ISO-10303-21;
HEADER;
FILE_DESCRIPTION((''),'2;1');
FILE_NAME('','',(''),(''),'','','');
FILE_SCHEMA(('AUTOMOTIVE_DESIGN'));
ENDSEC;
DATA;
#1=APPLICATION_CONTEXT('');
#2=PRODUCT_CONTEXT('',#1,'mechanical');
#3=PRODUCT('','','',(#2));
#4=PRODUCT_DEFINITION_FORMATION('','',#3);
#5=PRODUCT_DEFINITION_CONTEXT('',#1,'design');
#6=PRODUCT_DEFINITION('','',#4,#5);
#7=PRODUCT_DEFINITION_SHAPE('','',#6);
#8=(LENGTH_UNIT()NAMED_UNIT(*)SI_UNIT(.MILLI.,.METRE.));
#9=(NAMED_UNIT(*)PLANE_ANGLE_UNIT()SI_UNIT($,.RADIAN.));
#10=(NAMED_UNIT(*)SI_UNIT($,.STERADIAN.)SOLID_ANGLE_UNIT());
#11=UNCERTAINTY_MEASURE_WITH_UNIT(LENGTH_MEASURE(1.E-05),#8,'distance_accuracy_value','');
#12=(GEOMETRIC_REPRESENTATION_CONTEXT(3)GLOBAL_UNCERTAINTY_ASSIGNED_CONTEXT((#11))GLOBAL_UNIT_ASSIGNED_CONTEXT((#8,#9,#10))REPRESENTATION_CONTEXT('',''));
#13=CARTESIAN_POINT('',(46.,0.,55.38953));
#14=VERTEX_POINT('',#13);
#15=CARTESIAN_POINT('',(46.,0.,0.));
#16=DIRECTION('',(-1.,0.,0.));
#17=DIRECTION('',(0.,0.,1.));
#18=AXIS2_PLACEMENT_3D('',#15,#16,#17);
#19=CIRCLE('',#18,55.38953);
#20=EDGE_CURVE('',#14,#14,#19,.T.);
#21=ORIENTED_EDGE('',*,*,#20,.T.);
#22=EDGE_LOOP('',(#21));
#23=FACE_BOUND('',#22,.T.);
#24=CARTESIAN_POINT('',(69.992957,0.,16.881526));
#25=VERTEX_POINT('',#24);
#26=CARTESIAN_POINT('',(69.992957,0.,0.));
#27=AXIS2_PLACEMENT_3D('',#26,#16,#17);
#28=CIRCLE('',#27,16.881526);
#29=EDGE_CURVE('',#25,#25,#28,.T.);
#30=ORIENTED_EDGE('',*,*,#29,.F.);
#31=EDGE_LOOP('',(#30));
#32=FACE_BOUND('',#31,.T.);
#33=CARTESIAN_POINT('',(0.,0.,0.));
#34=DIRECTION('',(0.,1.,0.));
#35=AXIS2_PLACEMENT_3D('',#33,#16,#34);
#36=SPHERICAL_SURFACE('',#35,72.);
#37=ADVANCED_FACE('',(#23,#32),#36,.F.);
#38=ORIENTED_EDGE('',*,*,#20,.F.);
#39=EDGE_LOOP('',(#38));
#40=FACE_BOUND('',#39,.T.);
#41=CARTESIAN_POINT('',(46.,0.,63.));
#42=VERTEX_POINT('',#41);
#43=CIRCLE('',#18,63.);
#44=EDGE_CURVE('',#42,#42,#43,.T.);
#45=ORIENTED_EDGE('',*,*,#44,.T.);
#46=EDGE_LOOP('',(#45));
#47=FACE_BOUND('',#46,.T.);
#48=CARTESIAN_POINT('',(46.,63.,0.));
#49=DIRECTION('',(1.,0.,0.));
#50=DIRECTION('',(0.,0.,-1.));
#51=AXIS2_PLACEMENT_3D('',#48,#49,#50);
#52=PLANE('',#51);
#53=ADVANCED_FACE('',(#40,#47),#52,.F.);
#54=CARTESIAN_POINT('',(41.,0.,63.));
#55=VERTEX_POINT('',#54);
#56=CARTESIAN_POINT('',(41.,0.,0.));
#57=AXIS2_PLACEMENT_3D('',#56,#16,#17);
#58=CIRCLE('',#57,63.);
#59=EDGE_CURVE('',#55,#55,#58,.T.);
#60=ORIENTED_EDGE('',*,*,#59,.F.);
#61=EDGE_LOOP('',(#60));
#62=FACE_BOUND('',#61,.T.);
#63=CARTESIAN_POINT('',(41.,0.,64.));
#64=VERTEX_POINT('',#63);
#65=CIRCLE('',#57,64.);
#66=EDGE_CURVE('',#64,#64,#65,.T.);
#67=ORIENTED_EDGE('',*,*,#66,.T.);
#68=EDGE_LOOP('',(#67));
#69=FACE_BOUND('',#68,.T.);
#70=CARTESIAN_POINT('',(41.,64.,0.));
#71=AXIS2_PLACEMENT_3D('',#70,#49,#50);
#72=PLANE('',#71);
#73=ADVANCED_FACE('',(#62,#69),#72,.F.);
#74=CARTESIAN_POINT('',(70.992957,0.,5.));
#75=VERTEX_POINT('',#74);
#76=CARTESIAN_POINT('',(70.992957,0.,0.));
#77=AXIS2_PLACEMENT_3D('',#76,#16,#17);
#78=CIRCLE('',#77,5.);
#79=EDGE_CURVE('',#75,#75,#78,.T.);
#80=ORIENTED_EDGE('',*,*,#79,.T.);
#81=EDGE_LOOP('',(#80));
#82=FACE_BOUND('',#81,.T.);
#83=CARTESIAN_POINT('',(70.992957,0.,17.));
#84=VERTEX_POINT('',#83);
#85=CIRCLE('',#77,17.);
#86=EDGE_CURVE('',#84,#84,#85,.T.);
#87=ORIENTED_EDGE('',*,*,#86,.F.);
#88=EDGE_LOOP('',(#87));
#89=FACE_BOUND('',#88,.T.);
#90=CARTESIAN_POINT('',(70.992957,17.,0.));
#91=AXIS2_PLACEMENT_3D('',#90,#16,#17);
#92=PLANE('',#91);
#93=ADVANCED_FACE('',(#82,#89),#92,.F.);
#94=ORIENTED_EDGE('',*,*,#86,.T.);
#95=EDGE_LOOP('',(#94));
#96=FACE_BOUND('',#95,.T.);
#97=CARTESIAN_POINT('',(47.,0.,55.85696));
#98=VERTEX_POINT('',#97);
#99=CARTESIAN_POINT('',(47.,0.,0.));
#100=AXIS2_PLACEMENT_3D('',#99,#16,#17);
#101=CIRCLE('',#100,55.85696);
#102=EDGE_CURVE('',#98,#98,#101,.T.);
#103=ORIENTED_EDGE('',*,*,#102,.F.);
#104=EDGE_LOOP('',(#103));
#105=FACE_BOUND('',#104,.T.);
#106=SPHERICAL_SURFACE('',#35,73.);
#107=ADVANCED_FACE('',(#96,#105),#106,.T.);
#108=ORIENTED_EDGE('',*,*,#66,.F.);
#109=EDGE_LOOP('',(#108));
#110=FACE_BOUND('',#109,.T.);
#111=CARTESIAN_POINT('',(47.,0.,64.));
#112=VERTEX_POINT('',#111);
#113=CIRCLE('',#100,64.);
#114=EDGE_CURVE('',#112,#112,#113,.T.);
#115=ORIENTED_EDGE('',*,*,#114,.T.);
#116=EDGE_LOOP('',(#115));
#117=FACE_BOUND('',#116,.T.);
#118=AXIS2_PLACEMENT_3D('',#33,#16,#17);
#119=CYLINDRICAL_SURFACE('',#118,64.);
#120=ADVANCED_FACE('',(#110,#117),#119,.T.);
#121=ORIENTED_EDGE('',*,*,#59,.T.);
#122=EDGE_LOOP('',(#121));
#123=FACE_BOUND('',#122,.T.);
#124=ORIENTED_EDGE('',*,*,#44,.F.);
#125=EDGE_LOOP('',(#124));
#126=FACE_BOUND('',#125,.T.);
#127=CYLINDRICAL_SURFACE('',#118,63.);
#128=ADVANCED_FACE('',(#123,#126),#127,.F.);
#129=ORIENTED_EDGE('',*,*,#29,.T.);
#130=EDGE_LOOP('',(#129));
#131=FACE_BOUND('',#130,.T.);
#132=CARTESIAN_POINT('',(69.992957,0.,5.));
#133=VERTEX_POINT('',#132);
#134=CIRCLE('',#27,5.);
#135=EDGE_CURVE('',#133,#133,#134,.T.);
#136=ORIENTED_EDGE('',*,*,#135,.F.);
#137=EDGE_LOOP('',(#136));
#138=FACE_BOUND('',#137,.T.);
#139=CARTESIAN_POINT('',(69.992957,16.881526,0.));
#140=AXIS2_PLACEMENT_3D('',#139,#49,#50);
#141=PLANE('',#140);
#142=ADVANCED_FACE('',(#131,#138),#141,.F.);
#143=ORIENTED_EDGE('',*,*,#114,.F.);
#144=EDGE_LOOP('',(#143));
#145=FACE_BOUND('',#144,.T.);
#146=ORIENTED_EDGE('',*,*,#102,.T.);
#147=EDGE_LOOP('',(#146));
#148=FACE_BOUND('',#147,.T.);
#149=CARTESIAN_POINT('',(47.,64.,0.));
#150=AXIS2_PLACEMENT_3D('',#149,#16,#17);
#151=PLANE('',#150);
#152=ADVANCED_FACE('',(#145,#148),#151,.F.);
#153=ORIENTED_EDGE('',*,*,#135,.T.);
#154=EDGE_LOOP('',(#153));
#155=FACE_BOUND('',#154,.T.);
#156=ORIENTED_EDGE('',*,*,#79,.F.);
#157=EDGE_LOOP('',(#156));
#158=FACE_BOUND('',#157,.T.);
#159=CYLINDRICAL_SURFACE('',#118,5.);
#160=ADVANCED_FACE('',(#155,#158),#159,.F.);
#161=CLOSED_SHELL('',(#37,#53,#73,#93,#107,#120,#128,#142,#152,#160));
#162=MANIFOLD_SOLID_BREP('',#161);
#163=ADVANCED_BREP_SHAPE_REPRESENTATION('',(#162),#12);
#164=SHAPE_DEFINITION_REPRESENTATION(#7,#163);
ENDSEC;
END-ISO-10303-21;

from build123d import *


with BuildPart() as part:
    # Sketch1 → Revolve1 (revolve)
    with BuildSketch(Plane.XY):
        with BuildLine():
            Line((41, 64), (47, 64))
            Line((47, 64), (47, 55.856960175))
            ThreePointArc((47, 55.856960175), (62.113205821, 38.352961589), (70.992957397, 17))
            Line((70.992957397, 17), (70.992957397, 5))
            Line((70.992957397, 5), (69.992957397, 5))
            Line((69.992957397, 5), (69.992957397, 16.881525843))
            ThreePointArc((69.992957397, 16.881525843), (61.108985686, 38.074819348), (46, 55.389529697))
            Line((46, 55.389529697), (46, 63))
            Line((46, 63), (41, 63))
            Line((41, 63), (41, 64))
        make_face()
    revolve(axis=Axis((0, 0, 0), (1, 0, 0)))


solid = part.part
